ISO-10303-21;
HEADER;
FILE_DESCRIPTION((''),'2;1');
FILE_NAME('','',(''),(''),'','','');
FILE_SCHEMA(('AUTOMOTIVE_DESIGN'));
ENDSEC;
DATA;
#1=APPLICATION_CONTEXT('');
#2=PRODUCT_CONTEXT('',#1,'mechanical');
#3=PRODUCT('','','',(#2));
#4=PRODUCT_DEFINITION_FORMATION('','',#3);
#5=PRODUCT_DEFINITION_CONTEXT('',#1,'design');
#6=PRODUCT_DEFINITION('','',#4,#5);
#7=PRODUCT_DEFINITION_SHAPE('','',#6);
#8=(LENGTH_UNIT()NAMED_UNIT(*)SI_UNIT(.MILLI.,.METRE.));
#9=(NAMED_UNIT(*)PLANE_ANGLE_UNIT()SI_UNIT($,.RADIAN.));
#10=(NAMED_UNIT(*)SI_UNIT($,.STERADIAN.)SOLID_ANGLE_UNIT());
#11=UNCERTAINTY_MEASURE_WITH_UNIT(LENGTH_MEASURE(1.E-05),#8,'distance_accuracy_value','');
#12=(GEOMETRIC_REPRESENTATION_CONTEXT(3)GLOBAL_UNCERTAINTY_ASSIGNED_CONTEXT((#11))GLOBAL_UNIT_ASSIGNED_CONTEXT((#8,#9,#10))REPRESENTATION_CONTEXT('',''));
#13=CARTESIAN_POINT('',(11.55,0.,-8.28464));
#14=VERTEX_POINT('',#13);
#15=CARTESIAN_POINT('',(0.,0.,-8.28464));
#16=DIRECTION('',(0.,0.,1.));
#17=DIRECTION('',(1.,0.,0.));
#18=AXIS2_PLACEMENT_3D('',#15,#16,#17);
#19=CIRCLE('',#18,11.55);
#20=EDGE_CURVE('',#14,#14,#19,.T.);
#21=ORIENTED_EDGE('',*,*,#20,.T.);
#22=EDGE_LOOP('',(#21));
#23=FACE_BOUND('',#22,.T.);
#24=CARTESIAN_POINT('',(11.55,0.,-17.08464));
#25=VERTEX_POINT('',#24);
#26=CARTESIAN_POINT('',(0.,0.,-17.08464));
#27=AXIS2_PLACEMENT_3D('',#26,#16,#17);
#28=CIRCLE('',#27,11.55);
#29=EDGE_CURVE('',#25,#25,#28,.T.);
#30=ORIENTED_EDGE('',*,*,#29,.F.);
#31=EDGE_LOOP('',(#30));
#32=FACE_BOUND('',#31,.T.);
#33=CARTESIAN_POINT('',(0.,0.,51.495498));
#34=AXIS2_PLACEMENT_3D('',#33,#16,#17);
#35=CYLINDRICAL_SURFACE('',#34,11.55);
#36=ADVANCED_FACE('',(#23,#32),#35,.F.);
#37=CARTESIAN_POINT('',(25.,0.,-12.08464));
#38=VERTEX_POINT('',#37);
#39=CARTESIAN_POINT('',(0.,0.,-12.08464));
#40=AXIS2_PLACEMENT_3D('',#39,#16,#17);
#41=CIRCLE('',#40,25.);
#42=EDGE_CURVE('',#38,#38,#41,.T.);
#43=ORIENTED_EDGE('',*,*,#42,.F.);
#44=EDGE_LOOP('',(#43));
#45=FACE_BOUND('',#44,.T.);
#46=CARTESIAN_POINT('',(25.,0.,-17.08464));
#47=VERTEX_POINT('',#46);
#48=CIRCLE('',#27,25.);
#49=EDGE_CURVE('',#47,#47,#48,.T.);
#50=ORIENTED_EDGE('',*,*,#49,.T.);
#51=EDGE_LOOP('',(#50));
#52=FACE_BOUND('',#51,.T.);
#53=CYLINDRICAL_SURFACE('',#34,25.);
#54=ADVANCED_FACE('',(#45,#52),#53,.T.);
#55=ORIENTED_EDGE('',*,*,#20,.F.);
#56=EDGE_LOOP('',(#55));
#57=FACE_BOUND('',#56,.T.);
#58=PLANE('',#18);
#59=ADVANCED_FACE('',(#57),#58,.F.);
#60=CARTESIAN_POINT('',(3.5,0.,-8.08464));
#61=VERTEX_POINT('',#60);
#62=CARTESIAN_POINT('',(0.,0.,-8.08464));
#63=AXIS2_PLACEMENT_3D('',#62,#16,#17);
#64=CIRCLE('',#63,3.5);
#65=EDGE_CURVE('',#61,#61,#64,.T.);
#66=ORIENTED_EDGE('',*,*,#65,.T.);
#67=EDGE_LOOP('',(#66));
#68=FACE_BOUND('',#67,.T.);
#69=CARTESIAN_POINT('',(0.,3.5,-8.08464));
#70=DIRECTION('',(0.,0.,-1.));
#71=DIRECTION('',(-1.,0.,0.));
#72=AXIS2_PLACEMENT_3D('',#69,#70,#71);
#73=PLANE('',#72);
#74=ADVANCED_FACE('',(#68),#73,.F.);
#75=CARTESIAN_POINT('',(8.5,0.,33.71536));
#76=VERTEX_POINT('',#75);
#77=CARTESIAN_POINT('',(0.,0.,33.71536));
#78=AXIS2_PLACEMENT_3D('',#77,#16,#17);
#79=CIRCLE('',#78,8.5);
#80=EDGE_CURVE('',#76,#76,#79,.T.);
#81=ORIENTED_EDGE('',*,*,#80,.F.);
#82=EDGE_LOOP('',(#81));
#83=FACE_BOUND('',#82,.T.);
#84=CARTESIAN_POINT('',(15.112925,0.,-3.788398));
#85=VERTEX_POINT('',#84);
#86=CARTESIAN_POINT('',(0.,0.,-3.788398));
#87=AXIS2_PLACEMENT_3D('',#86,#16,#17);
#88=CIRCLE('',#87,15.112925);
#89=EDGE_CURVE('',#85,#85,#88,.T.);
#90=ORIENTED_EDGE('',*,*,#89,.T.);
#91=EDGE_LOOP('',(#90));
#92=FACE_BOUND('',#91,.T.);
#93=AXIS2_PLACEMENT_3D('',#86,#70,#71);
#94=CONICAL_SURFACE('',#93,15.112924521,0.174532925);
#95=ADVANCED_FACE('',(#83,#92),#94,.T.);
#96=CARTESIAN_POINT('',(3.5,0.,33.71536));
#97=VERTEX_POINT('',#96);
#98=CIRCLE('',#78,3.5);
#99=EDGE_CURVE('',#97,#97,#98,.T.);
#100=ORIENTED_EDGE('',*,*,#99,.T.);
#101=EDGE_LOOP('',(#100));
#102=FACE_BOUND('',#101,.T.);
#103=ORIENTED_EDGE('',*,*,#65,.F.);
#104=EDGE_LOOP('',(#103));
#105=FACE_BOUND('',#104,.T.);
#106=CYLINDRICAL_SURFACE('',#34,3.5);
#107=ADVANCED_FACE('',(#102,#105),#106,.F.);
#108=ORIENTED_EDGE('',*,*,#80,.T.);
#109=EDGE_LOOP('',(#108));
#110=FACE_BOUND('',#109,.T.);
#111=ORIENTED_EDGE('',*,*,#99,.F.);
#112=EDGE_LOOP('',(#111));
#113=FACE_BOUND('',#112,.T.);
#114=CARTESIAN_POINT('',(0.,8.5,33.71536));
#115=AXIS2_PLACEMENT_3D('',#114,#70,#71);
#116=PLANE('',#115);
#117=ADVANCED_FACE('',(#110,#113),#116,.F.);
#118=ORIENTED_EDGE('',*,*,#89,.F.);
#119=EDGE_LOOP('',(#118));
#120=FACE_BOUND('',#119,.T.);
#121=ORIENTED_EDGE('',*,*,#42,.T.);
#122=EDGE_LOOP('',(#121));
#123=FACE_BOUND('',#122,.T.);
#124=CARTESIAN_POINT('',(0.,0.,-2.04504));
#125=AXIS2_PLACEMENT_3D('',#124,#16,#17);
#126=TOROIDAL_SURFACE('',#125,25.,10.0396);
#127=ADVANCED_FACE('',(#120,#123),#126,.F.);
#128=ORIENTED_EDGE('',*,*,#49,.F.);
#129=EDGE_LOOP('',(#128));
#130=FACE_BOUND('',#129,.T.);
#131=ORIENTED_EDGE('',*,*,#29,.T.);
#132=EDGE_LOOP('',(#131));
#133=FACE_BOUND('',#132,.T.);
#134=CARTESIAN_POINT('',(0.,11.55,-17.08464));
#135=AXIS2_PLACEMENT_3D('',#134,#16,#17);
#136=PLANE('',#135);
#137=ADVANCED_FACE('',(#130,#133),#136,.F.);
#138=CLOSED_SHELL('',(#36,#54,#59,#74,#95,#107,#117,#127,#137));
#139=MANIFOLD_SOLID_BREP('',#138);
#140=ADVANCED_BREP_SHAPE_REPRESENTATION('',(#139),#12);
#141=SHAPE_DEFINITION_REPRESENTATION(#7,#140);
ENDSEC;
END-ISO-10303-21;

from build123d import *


with BuildPart() as part:
    # Sketch1 → Revolve1 (revolve)
    with BuildSketch(Plane(origin=(0, 0, 0), x_dir=(0, 0, -1), z_dir=(1, 0, 0)), mode=Mode.PRIVATE) as revolve1_sk:
        with BuildLine():
            Line((-33.715360463, 3.5), (8.084639537, 3.5))
            Line((8.084639537, 3.5), (8.084639537, 0))
            Line((8.084639537, 0), (8.284639537, 0))
            Line((8.284639537, 0), (8.284639537, 11.55))
            Line((8.284639537, 11.55), (17.084639537, 11.55))
            Line((17.084639537, 11.55), (17.084639537, 25))
            Line((17.084639537, 25), (12.084639537, 25))
            ThreePointArc((12.084639537, 25), (9.735819432, 18.5466698), (3.788398149, 15.112924521))
            Line((3.788398149, 15.112924521), (-33.715360463, 8.5))
            Line((-33.715360463, 8.5), (-33.715360463, 3.5))
        make_face()
    revolve(revolve1_sk.sketch.rotate(Axis((0, 0, 51.495497957), (0, 0, -1)), 90), axis=Axis((0, 0, 51.495497957), (0, 0, -1)))


solid = part.part
